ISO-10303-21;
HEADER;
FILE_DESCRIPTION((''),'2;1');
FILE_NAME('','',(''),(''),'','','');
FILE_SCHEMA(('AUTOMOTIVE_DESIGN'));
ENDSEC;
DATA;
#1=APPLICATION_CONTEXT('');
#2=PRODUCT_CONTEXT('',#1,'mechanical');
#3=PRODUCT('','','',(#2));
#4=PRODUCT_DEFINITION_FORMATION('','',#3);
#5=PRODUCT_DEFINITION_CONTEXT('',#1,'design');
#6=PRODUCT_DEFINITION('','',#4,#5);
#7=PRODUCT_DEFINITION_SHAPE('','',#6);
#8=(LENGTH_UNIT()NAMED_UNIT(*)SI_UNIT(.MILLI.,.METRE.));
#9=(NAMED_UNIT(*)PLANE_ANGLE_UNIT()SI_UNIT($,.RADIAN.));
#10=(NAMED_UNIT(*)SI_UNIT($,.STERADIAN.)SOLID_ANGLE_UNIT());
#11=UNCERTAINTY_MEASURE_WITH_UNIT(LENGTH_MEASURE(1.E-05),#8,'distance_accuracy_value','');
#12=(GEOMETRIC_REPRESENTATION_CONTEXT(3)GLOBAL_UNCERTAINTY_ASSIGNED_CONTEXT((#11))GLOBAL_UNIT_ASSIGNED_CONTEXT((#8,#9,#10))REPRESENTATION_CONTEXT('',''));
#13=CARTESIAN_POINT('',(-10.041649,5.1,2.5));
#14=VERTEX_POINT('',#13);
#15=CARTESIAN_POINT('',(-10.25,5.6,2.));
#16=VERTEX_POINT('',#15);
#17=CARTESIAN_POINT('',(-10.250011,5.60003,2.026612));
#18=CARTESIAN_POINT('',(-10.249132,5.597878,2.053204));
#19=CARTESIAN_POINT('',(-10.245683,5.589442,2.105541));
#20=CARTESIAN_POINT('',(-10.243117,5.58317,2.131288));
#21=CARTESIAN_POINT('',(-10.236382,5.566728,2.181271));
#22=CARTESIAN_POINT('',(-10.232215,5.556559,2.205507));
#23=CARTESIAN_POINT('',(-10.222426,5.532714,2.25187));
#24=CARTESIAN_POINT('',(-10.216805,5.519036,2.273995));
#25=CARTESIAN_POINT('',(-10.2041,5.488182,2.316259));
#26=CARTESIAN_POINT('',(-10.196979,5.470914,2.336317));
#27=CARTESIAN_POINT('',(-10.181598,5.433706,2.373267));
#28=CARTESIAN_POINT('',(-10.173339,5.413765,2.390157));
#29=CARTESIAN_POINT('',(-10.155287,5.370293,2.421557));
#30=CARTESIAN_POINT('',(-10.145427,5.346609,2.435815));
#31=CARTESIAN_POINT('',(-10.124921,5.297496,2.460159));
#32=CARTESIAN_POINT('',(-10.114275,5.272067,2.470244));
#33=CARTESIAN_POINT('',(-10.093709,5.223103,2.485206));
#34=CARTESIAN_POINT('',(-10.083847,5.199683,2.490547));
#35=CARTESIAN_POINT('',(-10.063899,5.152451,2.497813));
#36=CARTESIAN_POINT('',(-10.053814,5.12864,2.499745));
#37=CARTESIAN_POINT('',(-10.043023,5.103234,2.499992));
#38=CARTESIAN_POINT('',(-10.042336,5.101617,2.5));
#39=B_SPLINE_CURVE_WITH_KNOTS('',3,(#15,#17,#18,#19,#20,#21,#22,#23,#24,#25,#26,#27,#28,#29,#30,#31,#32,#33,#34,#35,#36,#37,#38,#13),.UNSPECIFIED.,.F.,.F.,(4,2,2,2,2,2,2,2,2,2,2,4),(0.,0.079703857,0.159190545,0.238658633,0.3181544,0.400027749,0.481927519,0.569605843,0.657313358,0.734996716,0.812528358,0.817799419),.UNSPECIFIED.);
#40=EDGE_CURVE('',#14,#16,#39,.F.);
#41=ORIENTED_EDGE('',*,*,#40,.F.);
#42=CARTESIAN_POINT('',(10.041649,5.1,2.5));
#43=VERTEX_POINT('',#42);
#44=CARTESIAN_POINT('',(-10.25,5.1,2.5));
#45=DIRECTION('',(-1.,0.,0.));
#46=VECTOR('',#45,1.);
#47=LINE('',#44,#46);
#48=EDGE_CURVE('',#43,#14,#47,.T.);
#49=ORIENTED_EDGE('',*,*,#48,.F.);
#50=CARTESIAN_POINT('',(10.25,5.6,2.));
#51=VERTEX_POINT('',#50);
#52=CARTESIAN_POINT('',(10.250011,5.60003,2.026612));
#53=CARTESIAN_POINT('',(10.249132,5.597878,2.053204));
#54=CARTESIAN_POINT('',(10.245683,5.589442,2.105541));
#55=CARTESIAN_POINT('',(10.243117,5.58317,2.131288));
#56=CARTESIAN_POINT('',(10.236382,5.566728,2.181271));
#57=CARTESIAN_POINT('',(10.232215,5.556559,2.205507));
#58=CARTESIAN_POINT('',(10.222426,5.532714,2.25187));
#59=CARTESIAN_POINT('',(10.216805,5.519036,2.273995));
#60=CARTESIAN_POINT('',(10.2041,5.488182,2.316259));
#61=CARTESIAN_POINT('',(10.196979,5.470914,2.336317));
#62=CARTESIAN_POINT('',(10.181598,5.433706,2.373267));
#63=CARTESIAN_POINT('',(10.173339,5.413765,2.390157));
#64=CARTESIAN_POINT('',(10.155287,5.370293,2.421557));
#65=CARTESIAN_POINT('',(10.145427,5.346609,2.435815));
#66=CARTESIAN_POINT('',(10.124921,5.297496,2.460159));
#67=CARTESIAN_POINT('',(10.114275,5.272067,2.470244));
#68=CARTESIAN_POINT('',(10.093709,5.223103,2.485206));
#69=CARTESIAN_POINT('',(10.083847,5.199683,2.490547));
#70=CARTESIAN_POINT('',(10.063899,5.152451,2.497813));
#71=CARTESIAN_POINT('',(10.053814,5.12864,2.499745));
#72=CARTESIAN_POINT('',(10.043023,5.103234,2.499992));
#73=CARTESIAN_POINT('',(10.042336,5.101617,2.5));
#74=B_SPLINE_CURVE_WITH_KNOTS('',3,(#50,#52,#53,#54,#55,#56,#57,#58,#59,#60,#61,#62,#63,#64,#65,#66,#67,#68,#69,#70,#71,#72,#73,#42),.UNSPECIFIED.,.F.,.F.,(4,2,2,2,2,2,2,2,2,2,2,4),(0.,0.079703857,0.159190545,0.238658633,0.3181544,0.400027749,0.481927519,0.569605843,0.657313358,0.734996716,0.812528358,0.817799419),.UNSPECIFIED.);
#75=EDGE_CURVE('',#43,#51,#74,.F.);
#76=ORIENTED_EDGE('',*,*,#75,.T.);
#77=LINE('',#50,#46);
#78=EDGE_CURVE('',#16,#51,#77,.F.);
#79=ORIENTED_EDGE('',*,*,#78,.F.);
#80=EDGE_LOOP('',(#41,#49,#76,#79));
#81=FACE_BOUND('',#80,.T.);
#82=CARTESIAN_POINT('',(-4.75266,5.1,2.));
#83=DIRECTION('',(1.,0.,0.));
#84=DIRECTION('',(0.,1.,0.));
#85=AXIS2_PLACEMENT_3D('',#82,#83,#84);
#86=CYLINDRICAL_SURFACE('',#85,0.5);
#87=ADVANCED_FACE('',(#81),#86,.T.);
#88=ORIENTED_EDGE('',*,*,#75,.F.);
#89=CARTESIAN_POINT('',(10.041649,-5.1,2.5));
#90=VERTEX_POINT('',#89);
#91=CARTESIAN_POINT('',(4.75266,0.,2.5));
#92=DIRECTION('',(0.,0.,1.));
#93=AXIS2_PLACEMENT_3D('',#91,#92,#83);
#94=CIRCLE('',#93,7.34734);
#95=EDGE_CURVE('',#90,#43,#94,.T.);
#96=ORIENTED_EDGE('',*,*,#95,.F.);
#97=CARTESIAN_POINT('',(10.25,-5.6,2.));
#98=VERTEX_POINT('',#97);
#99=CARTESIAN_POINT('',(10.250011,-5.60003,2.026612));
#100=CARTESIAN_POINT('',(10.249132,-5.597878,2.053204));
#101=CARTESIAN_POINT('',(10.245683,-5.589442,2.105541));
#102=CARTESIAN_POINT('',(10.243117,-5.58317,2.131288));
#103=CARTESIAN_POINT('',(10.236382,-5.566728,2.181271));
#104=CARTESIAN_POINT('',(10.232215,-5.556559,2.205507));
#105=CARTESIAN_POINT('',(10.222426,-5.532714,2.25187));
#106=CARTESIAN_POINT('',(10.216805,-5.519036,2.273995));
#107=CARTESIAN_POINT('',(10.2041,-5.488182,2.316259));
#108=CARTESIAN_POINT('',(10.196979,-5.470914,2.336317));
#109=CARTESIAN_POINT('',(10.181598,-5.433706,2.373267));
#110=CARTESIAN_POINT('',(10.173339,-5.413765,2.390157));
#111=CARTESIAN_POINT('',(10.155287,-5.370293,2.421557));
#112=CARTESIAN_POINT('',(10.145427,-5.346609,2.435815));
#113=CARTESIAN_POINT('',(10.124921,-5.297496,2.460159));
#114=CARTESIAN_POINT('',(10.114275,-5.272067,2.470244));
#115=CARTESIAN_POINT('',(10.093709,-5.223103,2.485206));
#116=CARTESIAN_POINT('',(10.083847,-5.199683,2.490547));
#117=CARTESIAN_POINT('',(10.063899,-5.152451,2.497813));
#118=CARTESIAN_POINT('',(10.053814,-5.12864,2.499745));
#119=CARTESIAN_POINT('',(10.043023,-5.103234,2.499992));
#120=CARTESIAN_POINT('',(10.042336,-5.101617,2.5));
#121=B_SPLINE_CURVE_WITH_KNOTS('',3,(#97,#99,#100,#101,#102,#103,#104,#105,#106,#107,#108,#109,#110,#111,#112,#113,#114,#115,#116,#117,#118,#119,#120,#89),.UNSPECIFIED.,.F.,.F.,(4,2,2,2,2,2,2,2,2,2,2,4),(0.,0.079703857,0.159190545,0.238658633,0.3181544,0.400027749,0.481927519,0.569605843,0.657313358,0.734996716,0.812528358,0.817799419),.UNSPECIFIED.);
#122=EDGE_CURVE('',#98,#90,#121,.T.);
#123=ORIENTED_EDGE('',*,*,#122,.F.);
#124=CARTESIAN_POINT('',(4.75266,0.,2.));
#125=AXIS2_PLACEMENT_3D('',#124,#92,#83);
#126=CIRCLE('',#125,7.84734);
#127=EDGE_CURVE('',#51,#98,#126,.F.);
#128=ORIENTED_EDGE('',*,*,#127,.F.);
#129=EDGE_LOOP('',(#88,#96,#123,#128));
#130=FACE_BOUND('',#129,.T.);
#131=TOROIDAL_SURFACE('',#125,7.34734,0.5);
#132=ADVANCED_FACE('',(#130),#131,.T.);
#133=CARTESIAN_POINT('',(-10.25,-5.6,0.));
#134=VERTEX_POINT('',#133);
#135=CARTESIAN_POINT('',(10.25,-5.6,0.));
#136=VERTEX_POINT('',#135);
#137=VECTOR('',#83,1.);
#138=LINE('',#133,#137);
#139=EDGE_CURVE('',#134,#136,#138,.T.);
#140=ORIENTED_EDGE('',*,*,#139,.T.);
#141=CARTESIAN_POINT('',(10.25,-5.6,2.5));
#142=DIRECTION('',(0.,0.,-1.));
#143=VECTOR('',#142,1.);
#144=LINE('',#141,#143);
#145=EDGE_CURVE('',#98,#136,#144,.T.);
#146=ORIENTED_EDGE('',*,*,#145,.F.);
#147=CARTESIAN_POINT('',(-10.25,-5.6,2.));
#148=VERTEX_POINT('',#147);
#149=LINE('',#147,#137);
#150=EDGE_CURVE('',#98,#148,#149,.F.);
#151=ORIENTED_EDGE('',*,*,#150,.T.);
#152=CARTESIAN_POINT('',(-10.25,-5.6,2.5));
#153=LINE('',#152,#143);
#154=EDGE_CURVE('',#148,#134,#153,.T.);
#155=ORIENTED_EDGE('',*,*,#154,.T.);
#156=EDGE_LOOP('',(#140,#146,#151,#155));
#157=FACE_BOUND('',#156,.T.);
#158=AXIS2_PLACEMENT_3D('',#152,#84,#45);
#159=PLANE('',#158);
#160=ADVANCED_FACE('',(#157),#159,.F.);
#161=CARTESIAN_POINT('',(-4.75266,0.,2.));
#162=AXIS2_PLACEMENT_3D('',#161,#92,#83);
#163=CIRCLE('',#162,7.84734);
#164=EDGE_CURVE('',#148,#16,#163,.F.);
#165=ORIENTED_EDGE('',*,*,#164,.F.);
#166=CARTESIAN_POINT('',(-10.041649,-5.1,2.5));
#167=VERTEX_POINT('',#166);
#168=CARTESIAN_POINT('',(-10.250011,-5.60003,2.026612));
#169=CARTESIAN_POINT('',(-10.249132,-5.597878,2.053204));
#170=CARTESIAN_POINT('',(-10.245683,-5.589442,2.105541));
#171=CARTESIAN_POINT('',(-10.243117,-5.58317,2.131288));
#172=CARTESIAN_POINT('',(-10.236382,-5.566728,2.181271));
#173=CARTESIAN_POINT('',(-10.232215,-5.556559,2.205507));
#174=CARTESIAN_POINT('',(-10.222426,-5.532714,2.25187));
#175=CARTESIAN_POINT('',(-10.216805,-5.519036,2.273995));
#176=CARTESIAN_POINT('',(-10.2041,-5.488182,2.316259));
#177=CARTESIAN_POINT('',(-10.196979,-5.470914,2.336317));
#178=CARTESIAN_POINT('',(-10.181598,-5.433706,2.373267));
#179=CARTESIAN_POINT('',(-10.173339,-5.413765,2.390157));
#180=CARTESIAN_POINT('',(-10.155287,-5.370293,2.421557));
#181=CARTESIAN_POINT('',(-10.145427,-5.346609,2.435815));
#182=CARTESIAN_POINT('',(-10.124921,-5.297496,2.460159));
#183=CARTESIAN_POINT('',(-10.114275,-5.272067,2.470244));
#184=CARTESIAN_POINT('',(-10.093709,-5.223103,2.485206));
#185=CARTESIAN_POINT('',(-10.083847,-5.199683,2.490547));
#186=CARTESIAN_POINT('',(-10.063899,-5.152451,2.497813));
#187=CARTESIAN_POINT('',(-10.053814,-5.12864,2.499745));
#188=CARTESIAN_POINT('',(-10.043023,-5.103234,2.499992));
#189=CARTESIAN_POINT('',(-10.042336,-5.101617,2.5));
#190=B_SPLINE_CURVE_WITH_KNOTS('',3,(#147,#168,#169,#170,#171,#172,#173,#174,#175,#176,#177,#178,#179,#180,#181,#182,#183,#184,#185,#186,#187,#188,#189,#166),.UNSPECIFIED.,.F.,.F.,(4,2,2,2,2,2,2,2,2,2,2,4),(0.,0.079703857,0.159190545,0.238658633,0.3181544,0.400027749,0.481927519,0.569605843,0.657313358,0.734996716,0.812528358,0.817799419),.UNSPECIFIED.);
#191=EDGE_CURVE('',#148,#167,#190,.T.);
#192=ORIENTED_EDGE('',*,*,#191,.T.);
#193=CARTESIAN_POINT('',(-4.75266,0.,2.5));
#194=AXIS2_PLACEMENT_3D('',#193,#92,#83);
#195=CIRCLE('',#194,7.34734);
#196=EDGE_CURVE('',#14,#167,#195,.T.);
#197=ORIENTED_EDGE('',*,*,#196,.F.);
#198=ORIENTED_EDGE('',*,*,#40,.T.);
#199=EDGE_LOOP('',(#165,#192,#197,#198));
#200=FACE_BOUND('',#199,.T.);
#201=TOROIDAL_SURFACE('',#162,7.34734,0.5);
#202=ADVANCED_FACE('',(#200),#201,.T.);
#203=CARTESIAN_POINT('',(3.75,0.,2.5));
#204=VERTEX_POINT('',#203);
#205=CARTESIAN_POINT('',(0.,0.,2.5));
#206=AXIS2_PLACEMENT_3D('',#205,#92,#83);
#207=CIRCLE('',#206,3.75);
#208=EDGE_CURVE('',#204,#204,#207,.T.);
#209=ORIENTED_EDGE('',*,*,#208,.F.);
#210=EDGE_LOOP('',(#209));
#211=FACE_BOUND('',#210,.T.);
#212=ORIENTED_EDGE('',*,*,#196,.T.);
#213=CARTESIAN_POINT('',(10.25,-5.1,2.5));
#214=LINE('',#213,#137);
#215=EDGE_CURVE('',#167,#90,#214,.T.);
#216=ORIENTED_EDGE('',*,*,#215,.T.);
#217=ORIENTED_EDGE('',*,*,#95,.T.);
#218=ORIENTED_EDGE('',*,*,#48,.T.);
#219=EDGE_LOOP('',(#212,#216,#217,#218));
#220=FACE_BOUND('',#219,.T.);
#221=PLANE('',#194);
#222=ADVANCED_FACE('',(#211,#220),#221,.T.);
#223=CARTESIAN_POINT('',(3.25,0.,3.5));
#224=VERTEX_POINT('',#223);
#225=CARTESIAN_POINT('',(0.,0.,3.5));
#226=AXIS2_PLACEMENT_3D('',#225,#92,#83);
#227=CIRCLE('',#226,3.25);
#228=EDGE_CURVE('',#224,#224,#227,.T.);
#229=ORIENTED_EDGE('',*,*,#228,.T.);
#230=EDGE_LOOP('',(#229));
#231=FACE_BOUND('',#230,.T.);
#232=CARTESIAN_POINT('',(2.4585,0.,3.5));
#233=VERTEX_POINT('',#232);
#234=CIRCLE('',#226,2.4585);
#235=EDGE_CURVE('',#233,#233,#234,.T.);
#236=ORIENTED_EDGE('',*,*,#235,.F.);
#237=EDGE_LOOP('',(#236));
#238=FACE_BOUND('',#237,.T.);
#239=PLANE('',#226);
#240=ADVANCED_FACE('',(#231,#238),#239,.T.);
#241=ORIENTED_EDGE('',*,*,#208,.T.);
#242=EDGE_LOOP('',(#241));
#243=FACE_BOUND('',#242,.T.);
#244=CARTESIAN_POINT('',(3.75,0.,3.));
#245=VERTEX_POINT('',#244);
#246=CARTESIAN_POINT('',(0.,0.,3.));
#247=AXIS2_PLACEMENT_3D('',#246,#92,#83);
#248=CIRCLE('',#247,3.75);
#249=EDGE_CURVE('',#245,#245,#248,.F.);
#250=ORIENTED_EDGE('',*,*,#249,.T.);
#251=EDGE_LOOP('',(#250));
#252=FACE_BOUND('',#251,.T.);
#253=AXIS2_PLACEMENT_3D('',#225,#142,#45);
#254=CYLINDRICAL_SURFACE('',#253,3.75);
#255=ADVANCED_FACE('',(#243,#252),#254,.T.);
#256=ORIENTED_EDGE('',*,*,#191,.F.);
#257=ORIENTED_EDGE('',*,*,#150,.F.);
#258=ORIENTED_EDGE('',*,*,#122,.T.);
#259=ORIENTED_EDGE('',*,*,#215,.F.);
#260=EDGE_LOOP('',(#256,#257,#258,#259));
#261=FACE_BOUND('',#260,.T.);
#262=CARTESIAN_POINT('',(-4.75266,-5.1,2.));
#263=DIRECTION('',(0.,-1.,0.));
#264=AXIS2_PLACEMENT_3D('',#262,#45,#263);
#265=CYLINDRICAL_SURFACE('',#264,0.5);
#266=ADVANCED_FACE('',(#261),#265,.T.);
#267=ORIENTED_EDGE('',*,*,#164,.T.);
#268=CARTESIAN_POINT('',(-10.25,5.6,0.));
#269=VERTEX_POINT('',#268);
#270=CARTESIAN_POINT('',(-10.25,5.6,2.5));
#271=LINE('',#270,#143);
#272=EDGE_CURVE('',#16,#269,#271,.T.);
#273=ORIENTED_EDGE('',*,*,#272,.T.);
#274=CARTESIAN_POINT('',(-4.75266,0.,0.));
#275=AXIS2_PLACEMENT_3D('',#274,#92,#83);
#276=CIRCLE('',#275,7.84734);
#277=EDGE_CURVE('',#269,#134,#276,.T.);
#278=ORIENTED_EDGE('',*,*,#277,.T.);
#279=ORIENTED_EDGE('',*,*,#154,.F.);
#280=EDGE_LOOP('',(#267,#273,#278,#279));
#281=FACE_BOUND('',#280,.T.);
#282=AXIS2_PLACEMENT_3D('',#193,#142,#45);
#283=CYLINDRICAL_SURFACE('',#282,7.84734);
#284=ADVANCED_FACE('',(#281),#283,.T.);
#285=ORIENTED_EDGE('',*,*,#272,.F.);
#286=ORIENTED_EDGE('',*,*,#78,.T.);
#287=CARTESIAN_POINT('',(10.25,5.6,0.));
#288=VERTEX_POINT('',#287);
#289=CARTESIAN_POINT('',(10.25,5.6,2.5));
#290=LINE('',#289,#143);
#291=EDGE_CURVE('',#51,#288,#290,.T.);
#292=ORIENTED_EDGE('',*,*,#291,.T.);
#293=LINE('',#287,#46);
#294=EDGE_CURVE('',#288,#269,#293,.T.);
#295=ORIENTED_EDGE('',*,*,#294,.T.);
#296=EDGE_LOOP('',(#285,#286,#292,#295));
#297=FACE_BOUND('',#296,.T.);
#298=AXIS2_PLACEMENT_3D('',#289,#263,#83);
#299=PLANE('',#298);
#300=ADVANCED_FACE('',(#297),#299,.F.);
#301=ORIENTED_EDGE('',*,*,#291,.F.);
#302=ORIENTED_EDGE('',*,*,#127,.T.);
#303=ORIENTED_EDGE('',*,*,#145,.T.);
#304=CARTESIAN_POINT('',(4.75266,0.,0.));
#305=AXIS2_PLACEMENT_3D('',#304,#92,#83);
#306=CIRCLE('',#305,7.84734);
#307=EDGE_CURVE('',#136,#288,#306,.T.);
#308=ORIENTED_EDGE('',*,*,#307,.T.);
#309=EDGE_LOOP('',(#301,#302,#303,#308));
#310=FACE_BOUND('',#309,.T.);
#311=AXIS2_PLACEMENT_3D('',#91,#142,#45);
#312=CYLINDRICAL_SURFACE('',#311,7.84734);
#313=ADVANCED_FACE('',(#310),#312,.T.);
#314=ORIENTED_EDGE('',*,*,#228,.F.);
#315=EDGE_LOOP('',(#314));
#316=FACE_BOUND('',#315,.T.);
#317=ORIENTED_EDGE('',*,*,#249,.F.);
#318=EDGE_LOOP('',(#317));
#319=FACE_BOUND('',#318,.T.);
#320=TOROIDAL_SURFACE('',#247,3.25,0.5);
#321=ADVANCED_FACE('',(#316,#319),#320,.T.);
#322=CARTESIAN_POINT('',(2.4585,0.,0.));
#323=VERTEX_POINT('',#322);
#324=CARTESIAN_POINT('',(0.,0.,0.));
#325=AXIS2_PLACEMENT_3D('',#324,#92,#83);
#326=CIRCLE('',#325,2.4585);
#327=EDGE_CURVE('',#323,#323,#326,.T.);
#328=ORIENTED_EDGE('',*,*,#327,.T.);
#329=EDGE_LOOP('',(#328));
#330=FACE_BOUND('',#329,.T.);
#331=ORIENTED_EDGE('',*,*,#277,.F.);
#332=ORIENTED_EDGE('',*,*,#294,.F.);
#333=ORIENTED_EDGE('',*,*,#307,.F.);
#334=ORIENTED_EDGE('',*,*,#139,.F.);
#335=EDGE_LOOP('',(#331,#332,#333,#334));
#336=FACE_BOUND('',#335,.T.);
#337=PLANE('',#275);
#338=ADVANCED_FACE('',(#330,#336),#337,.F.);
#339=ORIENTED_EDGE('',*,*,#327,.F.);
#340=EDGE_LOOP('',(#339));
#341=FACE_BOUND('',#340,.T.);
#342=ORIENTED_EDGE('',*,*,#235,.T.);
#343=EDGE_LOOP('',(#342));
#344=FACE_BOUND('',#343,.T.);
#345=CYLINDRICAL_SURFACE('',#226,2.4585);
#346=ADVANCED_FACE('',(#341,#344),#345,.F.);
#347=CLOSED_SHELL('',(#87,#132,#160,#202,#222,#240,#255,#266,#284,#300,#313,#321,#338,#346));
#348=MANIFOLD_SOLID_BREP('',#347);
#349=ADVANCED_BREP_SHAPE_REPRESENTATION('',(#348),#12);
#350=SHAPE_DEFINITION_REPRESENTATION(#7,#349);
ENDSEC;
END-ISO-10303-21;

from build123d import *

# Parameters (mm, degrees)
EXTRUSION1_DEPTH = 2.5
SKETCH2_R        = 3.75
EXTRUSION2_DEPTH = 1
HOLE1_D          = 4.917
FILLET1_R        = 0.5


with BuildPart() as part:
    # Sketch1 → Extrusion1 (new body)
    with BuildSketch(Plane.XY):
        with BuildLine():
            Line((-10.25, -5.6), (10.25, -5.6))
            ThreePointArc((10.25, -5.6), (12.6, 0), (10.25, 5.6))
            Line((10.25, 5.6), (-10.25, 5.6))
            ThreePointArc((-10.25, 5.6), (-12.6, 0), (-10.25, -5.6))
        make_face()
    extrude(amount=EXTRUSION1_DEPTH)

    # Sketch2 → Extrusion2 (add)
    with BuildSketch(Plane.XY.offset(2.5)):
        Circle(SKETCH2_R)
    extrude(amount=EXTRUSION2_DEPTH)

    # Hole1 (through all)
    with Locations(Plane.XY.offset(3.5)):
        with Locations((0, 0)):
            Hole(HOLE1_D / 2)

    # Fillet1
    fillet1_edges = [part.edges().sort_by_distance(p)[0] for p in [
        (12.6, 0, 2.5),
        (0, 5.6, 2.5),
        (-3.75, 0, 3.5),
        (-12.6, 0, 2.5),
        (0, -5.6, 2.5),
    ]]
    fillet(fillet1_edges, radius=FILLET1_R)


solid = part.part
